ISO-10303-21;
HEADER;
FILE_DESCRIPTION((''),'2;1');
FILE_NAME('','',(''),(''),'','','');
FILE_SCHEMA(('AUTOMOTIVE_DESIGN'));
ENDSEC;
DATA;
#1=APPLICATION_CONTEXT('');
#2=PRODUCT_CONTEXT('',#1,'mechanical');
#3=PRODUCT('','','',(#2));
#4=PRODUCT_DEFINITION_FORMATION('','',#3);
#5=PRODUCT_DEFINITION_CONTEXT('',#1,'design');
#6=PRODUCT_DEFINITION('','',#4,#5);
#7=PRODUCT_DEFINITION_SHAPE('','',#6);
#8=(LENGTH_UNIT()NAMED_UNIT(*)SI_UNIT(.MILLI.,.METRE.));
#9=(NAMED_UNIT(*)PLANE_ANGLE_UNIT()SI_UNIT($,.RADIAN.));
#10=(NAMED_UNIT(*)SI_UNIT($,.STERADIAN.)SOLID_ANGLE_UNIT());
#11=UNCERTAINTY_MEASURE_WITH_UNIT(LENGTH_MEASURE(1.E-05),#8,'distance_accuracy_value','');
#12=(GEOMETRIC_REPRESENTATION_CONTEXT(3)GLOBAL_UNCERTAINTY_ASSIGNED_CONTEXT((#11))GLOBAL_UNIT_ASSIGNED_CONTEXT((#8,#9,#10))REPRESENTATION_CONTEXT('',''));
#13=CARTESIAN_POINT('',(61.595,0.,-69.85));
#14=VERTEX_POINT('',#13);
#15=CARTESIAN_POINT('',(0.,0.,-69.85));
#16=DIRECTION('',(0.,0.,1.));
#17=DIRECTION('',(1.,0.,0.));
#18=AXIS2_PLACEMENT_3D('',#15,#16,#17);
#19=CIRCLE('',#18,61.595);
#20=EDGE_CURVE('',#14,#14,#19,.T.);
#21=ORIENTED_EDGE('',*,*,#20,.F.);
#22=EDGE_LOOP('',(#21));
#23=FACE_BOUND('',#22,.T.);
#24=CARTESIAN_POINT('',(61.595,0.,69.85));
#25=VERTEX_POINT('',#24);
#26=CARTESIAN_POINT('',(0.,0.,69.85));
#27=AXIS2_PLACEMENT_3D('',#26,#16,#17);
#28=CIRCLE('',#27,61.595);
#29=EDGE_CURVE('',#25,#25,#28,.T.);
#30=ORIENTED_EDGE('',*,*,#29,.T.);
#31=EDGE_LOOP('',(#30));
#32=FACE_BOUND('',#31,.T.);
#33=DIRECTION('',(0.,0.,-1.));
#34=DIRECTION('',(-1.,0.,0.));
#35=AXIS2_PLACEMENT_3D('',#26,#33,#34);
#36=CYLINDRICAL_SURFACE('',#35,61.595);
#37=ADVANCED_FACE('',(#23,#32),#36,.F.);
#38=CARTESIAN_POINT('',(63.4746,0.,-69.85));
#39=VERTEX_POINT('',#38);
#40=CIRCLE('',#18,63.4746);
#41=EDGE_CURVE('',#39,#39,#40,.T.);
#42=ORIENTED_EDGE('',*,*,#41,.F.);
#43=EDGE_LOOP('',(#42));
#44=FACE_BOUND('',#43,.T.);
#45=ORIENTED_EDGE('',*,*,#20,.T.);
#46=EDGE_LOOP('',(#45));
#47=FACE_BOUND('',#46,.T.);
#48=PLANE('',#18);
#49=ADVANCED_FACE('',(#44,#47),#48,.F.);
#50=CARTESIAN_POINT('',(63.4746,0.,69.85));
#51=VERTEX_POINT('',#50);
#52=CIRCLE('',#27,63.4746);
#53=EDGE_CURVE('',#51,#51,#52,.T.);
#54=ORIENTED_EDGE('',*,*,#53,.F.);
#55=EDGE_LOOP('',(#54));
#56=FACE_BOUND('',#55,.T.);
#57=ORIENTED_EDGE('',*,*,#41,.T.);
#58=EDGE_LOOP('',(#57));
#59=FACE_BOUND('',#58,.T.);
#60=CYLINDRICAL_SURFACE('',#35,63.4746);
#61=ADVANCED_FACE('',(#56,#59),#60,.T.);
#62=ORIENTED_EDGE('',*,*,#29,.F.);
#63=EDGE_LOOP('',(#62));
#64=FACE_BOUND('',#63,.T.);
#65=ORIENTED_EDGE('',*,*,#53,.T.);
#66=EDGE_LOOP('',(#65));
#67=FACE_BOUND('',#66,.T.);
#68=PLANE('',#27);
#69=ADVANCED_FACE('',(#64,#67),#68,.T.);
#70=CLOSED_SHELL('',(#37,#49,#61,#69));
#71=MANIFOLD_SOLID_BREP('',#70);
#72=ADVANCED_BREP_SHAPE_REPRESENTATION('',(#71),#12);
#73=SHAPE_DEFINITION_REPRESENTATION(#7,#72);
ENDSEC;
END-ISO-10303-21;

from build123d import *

# Parameters (mm, degrees)
SKETCH1_R           = 63.4746
SKETCH1_R_2         = 61.595
BOSS_EXTRUDE1_DEPTH = 69.85


with BuildPart() as part:
    # Sketch1 → Boss-Extrude1 (new body, symmetric)
    with BuildSketch(Plane.XY):
        Circle(SKETCH1_R)
        Circle(SKETCH1_R_2, mode=Mode.SUBTRACT)
    extrude(amount=BOSS_EXTRUDE1_DEPTH, both=True)


solid = part.part
